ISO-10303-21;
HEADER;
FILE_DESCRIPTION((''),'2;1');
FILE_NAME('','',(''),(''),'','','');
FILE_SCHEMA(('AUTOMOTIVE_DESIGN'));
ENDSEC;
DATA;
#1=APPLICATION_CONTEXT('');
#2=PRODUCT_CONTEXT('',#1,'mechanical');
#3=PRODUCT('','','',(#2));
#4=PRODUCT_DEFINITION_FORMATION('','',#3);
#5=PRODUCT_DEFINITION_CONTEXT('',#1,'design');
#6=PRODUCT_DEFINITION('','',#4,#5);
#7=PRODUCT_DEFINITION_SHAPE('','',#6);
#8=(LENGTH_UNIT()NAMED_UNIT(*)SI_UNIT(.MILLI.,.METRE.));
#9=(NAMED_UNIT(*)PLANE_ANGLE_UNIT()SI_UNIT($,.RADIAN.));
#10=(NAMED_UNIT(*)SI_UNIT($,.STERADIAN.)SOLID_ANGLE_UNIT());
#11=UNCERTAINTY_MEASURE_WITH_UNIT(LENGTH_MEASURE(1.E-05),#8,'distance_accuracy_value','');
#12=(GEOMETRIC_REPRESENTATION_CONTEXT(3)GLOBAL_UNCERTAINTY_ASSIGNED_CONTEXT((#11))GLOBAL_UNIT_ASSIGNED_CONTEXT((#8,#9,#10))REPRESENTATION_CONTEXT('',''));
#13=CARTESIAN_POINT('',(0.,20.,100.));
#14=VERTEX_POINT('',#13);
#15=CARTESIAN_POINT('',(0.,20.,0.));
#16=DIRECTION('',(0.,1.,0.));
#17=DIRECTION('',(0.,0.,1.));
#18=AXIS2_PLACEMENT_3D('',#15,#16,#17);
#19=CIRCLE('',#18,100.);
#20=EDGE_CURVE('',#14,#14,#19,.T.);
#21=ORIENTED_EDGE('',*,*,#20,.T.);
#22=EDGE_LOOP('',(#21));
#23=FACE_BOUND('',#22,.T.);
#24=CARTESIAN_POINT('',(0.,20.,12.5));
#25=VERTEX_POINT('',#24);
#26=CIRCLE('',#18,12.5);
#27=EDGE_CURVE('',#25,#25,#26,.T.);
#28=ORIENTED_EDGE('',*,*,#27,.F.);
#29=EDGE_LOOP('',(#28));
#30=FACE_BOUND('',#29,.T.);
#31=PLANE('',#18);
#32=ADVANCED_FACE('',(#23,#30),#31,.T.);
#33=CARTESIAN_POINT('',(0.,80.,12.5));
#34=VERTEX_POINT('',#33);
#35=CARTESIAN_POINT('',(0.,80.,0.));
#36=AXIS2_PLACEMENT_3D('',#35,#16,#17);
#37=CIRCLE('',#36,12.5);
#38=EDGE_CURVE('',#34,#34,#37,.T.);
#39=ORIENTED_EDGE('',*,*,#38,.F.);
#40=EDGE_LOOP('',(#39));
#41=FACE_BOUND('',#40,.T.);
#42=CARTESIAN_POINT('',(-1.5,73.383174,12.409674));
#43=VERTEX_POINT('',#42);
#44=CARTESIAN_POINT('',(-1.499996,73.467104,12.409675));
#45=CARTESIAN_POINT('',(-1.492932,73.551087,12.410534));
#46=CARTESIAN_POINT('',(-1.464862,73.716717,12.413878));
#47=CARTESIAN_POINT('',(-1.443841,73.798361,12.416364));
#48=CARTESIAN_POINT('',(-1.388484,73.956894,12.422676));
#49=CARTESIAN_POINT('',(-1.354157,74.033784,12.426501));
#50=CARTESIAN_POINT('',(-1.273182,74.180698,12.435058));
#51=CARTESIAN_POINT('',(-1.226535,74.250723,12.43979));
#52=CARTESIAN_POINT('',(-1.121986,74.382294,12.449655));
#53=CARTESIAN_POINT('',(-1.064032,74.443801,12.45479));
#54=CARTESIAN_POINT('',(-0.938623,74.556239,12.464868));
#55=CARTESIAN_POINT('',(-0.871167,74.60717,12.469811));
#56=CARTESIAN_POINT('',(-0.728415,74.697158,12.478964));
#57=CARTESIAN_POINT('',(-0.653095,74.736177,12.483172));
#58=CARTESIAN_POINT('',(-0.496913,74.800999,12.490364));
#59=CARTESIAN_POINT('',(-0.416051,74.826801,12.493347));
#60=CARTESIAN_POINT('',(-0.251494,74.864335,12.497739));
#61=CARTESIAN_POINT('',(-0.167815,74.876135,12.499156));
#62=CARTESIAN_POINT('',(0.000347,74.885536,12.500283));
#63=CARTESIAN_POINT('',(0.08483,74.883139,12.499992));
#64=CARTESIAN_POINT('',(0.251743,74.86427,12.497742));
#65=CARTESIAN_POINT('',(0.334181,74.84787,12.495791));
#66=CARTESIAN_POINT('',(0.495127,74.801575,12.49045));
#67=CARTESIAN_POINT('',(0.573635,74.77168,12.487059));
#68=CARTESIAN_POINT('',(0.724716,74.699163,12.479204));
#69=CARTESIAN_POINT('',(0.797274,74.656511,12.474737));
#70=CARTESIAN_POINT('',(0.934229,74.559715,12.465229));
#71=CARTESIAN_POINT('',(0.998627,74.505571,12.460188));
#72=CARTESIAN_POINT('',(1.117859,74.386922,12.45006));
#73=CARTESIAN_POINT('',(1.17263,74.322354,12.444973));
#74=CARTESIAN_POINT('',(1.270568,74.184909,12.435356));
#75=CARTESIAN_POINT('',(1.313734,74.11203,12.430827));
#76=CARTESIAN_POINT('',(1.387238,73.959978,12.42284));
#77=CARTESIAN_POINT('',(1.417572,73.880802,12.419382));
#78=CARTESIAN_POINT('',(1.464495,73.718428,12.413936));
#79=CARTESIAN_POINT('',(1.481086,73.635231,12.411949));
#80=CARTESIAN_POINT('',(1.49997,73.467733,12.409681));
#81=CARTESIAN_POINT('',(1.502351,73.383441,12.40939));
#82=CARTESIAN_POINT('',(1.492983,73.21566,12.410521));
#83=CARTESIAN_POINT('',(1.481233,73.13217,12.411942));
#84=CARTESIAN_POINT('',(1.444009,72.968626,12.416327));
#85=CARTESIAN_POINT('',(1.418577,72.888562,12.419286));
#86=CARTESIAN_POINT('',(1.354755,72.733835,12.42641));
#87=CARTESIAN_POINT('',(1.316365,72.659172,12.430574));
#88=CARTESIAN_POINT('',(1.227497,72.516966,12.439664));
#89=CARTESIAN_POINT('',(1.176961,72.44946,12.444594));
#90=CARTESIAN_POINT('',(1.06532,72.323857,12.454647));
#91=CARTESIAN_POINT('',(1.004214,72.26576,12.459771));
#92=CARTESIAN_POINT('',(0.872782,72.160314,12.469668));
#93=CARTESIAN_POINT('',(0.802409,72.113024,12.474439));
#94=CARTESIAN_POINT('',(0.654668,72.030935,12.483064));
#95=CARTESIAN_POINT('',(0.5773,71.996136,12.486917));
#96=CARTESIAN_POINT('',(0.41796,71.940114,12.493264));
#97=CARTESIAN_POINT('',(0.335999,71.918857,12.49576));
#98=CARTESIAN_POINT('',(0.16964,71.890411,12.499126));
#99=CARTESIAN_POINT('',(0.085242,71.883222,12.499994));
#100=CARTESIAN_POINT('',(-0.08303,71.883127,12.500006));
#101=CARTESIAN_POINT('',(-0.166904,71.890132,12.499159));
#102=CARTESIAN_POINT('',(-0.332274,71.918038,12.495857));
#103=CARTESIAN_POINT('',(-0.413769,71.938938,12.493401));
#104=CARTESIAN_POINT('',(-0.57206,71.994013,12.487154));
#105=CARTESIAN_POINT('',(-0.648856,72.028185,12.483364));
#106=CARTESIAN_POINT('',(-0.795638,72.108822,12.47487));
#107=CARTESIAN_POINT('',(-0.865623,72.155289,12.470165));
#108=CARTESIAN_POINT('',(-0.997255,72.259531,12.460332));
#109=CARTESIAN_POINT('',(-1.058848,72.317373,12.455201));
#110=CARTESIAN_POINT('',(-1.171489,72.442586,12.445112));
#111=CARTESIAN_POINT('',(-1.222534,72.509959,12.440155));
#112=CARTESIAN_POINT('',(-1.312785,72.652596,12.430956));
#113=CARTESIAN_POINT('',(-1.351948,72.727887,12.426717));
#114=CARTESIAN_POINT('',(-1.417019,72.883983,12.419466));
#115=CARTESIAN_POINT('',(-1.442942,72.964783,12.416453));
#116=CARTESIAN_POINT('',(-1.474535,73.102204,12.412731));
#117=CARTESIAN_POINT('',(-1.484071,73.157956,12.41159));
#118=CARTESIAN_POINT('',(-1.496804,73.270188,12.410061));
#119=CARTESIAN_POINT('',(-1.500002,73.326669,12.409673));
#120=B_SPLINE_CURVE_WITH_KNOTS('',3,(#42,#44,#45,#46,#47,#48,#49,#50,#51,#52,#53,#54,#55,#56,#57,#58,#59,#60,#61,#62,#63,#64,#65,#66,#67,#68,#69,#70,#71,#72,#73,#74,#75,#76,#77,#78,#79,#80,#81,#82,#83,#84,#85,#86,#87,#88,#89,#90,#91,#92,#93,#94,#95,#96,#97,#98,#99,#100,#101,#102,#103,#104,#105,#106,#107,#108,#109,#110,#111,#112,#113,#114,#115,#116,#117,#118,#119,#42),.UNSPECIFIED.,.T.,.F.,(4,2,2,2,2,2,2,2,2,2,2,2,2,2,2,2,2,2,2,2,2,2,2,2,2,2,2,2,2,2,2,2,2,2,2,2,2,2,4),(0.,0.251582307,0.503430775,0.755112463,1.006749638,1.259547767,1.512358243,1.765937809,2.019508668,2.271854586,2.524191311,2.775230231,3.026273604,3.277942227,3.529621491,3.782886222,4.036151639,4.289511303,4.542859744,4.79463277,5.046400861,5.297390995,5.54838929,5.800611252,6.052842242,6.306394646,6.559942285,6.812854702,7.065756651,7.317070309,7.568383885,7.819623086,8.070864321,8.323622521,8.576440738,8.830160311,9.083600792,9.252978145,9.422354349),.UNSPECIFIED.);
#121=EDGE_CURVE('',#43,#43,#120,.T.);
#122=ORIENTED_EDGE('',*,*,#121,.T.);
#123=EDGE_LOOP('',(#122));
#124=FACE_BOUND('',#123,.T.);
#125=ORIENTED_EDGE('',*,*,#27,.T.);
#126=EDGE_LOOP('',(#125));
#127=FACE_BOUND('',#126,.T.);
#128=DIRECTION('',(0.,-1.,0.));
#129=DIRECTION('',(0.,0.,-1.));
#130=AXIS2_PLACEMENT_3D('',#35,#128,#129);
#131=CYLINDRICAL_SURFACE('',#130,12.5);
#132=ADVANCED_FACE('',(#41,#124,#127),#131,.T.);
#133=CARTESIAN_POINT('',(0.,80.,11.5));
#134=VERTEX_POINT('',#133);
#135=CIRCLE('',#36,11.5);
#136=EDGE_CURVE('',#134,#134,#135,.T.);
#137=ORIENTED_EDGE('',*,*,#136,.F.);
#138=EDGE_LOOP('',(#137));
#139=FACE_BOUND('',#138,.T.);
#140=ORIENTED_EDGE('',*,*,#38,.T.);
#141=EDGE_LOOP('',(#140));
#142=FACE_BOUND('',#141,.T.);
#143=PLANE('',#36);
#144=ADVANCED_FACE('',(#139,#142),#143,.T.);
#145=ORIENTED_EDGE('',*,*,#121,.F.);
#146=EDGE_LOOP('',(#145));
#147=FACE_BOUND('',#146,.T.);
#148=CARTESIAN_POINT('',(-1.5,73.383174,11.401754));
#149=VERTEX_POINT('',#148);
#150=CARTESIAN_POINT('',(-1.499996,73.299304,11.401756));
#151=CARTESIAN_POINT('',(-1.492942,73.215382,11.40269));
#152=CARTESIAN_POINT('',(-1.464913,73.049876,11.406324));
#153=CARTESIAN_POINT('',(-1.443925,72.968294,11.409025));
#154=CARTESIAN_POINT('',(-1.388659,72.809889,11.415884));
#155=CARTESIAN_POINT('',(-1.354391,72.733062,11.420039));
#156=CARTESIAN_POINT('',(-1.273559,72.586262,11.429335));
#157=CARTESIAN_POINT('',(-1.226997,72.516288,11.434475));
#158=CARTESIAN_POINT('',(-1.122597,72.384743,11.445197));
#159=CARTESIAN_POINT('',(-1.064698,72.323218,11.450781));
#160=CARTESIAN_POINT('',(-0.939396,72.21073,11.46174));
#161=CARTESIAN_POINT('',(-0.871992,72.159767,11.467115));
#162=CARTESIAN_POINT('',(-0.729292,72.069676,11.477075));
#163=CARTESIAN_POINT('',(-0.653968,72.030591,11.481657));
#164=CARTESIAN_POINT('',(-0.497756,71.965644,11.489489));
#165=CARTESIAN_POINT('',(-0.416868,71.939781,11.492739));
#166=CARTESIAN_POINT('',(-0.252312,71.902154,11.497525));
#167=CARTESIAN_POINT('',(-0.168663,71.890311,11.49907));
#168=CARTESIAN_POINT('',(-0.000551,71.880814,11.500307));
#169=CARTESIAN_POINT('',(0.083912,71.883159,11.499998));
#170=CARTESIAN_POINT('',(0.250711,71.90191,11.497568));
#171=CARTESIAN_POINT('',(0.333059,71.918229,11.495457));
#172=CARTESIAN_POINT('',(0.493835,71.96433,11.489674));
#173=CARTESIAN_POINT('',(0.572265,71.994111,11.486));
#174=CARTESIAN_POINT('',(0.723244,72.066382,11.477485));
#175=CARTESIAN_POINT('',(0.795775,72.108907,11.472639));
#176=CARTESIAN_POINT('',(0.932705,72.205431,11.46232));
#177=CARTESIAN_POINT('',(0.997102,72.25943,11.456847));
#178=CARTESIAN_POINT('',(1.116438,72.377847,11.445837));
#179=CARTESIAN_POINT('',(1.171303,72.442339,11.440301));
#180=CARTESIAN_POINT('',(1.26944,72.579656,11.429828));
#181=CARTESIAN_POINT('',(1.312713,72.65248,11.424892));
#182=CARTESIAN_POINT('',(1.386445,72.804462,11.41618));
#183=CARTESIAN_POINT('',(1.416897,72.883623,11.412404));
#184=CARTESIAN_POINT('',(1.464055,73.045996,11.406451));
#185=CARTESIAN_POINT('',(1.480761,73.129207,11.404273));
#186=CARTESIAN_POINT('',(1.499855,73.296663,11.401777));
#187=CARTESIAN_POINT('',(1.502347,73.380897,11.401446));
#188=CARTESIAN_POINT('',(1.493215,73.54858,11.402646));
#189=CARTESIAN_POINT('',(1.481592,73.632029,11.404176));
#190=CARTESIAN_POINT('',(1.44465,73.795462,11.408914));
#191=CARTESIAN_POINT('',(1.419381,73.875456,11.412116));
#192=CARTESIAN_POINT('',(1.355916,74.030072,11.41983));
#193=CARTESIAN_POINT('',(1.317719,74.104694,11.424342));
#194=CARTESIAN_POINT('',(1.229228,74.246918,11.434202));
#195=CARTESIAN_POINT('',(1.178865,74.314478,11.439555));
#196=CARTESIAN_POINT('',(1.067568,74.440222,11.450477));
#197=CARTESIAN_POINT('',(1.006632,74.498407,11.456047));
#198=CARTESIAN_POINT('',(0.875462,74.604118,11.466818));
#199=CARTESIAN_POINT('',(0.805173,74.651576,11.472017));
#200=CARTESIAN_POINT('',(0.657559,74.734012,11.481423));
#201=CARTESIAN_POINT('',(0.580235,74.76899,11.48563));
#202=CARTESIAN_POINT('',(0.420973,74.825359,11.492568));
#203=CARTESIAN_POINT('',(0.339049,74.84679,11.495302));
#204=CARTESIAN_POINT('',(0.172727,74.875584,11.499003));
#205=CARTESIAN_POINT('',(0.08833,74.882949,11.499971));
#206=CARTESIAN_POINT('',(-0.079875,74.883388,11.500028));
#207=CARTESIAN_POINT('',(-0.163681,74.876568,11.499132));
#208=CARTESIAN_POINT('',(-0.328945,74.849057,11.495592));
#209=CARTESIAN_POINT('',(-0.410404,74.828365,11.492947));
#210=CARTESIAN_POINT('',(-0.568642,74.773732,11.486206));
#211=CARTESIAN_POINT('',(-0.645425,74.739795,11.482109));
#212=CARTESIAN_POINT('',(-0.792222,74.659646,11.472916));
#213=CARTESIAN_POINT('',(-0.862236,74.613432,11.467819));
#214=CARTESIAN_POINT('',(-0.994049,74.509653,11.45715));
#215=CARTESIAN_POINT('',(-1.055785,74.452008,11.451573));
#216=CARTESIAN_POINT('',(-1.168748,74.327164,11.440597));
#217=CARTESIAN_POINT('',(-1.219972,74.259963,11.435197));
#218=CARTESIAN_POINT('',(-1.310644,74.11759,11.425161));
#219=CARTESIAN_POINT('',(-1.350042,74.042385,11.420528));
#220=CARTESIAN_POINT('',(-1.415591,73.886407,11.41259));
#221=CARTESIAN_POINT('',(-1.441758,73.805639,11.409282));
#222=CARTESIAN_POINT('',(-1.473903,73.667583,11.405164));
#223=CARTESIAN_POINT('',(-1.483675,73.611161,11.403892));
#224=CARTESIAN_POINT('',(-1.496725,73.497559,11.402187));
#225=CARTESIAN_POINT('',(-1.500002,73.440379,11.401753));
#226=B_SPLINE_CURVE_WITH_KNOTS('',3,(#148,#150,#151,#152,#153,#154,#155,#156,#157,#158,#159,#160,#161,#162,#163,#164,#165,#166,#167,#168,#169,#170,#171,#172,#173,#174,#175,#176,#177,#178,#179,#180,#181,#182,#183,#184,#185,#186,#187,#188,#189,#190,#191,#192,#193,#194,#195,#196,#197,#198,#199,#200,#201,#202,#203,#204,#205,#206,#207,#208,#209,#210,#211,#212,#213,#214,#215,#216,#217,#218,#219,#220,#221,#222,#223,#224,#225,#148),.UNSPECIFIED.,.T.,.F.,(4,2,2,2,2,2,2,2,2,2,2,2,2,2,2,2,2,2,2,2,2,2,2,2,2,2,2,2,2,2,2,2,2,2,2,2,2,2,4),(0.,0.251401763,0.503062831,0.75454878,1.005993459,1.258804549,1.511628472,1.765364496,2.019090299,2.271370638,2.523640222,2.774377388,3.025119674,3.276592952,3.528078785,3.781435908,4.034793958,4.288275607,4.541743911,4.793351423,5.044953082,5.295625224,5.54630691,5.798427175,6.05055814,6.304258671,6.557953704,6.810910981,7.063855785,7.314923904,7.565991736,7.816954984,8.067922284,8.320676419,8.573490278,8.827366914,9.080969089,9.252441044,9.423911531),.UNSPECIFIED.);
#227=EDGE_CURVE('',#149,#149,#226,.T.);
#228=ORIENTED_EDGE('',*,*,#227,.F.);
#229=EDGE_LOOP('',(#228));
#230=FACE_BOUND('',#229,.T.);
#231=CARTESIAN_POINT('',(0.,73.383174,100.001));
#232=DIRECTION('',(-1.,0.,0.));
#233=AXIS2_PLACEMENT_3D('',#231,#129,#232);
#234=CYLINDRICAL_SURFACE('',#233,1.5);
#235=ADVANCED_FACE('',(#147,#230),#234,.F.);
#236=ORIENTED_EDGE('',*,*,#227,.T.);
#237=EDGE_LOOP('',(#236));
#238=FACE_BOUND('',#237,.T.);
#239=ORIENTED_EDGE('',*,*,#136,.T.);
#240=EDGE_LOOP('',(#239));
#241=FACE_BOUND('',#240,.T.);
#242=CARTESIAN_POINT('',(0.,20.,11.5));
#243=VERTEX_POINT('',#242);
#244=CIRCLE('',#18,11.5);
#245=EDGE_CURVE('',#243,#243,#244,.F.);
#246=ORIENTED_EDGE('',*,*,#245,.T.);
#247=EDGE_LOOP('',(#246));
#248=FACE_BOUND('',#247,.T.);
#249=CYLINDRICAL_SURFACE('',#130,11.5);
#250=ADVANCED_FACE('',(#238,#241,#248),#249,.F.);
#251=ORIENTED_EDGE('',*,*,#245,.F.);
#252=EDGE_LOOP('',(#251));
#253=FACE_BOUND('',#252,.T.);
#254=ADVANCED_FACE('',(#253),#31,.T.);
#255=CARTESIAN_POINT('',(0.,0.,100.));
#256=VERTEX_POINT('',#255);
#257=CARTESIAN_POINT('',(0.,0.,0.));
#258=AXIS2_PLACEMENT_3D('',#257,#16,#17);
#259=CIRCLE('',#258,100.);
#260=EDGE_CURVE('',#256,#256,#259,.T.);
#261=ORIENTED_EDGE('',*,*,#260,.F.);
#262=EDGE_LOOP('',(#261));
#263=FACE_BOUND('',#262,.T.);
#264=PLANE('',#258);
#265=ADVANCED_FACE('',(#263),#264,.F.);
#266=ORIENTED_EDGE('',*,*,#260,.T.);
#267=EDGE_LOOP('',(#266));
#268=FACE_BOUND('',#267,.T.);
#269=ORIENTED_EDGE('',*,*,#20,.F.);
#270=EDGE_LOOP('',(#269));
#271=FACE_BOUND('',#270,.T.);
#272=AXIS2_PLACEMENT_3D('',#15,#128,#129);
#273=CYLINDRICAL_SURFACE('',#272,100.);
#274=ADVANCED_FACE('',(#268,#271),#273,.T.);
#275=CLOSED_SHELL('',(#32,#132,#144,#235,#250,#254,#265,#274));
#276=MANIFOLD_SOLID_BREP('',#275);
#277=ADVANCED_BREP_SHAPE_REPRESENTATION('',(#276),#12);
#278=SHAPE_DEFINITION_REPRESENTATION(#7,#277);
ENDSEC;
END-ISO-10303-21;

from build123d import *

# Parameters (mm, degrees)
SKETCH1_R           = 100
BOSS_EXTRUDE1_DEPTH = 20
SKETCH2_R           = 12.5
SKETCH2_R_2         = 11.5
BOSS_EXTRUDE2_DEPTH = 60
CUT_EXTRUDE1_REACH  = 102
SKETCH3_R           = 1.5


with BuildPart() as part:
    # Sketch1 → Boss-Extrude1 (new body)
    with BuildSketch(Plane(origin=(0, 0, 0), x_dir=(1, 0, 0), z_dir=(0, 1, 0))):
        Circle(SKETCH1_R)
    extrude(amount=BOSS_EXTRUDE1_DEPTH)

    # Sketch2 → Boss-Extrude2 (add)
    with BuildSketch(Plane(origin=(0, 20, 0), x_dir=(1, 0, 0), z_dir=(0, 1, 0))):
        Circle(SKETCH2_R)
        Circle(SKETCH2_R_2, mode=Mode.SUBTRACT)
    extrude(amount=BOSS_EXTRUDE2_DEPTH)

    # Sketch3 → Cut-Extrude1 (cut, up to next)
    with BuildSketch(Plane.XY, mode=Mode.PRIVATE) as cut_extrude1_sk1:
        with Locations((0, 73.383174369)):
            Circle(SKETCH3_R)
    cut_extrude1_tool1 = extrude(cut_extrude1_sk1.sketch, amount=CUT_EXTRUDE1_REACH, mode=Mode.PRIVATE) & part.part
    add(cut_extrude1_tool1.solids().sort_by_distance((0, 73.383174, 0))[0], mode=Mode.SUBTRACT)


solid = part.part
